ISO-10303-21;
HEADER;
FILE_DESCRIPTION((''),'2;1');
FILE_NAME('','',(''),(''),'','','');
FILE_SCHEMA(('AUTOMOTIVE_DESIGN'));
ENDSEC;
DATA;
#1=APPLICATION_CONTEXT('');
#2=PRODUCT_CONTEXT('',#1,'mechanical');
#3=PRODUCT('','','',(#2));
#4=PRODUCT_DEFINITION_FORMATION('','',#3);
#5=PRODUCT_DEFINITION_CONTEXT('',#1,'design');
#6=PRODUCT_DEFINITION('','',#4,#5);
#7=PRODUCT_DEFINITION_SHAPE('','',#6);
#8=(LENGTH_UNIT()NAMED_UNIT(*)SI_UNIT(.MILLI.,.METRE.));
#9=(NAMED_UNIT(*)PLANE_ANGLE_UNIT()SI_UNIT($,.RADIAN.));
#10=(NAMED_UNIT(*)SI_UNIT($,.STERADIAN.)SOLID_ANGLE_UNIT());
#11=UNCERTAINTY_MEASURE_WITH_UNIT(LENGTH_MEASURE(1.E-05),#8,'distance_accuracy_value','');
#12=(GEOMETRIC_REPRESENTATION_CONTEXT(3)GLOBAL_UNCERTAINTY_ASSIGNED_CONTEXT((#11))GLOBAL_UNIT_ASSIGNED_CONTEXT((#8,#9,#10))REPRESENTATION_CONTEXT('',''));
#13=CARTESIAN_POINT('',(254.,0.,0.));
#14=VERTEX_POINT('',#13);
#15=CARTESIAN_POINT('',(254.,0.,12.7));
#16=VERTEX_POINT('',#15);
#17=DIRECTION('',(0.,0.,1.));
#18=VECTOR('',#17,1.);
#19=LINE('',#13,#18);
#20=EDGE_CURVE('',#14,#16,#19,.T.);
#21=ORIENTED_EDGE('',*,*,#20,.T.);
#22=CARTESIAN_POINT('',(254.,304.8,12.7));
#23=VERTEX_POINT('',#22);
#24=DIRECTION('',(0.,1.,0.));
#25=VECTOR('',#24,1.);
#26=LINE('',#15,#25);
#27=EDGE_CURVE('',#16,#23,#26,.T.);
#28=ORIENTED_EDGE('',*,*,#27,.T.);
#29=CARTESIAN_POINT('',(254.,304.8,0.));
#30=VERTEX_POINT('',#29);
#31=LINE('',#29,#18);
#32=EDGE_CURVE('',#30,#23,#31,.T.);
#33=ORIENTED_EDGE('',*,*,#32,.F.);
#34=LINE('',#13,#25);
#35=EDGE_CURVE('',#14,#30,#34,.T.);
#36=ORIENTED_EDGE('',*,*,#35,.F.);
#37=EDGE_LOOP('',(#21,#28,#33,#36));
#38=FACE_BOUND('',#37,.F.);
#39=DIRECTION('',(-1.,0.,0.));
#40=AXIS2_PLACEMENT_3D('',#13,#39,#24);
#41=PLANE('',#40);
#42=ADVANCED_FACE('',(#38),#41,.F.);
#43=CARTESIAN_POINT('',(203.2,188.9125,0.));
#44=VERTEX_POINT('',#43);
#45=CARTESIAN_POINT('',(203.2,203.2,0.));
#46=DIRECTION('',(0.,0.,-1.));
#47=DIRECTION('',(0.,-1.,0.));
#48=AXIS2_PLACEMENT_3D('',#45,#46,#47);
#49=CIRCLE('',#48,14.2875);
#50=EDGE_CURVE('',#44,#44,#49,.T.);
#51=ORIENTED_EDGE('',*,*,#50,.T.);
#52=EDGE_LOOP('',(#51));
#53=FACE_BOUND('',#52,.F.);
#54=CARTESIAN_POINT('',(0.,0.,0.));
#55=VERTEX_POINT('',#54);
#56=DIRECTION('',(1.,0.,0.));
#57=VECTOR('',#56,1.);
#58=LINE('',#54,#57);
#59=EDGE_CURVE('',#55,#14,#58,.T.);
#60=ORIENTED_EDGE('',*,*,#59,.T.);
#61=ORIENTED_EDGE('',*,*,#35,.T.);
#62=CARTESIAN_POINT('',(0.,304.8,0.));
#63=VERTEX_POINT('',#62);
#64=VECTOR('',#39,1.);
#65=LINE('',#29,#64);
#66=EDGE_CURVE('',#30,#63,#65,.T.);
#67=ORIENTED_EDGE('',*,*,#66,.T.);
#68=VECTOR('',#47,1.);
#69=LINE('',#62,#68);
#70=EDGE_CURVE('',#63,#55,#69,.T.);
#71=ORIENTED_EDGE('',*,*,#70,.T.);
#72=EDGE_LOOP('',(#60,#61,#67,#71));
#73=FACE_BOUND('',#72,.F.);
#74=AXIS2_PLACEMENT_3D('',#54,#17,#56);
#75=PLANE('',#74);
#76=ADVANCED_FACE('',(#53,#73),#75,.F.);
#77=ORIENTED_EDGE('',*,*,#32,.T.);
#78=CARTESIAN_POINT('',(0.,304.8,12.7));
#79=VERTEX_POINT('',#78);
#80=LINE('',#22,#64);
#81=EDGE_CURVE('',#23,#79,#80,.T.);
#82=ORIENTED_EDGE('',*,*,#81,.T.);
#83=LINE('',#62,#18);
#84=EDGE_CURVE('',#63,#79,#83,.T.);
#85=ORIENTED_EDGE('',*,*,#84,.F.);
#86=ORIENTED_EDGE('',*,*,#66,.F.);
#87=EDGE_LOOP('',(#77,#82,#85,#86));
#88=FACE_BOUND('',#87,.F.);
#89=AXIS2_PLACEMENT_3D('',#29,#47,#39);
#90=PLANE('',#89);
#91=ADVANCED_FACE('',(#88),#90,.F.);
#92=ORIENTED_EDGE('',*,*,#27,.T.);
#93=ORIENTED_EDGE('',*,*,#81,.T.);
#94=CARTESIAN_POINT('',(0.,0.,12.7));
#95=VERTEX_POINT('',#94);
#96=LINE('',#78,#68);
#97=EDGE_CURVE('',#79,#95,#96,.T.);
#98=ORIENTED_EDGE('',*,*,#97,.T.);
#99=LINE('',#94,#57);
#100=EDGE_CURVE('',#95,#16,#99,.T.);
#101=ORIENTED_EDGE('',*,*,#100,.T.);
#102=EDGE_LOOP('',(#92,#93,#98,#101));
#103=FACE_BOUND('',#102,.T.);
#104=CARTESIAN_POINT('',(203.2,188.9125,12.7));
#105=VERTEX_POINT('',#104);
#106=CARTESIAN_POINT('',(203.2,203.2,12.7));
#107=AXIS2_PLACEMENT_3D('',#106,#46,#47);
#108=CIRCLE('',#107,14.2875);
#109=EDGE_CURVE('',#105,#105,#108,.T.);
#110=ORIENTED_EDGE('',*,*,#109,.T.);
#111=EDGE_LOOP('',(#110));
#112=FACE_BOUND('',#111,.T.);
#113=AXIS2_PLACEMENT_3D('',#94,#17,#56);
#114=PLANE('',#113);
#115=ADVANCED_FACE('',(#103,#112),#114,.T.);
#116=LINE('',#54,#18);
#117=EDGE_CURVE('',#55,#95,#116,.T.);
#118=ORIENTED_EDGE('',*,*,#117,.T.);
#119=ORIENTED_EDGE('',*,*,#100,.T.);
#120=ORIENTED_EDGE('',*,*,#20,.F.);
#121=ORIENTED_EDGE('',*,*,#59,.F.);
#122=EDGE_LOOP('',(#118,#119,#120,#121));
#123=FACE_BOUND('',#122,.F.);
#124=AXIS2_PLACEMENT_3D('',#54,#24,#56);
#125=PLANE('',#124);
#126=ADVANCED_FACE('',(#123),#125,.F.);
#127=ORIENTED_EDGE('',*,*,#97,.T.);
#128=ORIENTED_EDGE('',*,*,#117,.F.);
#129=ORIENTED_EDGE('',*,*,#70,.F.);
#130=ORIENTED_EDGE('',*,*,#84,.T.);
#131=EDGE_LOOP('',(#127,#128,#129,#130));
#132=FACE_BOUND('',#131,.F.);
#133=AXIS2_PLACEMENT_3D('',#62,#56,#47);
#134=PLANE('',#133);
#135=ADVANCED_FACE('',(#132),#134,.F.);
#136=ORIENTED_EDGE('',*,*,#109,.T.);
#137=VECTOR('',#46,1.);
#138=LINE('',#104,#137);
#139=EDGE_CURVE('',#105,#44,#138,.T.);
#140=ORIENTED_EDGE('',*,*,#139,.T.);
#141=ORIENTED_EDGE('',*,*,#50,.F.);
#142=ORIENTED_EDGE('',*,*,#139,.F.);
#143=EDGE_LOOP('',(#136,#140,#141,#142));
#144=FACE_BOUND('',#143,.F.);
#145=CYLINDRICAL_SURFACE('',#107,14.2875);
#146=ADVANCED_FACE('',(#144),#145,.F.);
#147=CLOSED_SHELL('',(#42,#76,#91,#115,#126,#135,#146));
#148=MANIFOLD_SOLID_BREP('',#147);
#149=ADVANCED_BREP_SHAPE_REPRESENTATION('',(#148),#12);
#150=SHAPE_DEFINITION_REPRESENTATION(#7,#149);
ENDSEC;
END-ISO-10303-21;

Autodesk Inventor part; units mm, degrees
ref_plane "YZ Plane" through (0, 0, 0) normal (1, 0, 0) x (0, 1, 0)
ref_plane "XZ Plane" through (0, 0, 0) normal (0, 1, 0) x (-1, 0, 0)
ref_plane "XY Plane" through (0, 0, 0) normal (0, 0, 1) x (1, 0, 0)
sketch "Sketch1" plane through (0, 0, 0) normal (0, 0, 1) x (1, 0, 0)
  line L0 (0, 0) -> (254, 0)
  line L1 (254, 0) -> (254, 304.8)
  line L2 (254, 304.8) -> (0, 304.8)
  line L3 (0, 304.8) -> (0, 0)
  dimension "d0" = 254
  dimension "d1" = 304.8
extrude "Extrusion1" add sketch "Sketch1" along normal blind 12.7
sketch "Sketch2" plane through (0, 0, 12.7) normal (0, 0, 1) x (1, 0, 0)
  line L0 (0, 0) -> (254, 0) projected
  line L1 (254, 0) -> (254, 304.8) projected
  point P0 (203.2, 203.2)
  dimension "d11" = 203.2
  dimension "d12" = 50.8
hole "Hole1" at (203.2, 203.2, 12.7) direction (0, 0, -1) diameter 28.575 end through all
properties part number "Shaft Mount" material "Wood (Maple)"
